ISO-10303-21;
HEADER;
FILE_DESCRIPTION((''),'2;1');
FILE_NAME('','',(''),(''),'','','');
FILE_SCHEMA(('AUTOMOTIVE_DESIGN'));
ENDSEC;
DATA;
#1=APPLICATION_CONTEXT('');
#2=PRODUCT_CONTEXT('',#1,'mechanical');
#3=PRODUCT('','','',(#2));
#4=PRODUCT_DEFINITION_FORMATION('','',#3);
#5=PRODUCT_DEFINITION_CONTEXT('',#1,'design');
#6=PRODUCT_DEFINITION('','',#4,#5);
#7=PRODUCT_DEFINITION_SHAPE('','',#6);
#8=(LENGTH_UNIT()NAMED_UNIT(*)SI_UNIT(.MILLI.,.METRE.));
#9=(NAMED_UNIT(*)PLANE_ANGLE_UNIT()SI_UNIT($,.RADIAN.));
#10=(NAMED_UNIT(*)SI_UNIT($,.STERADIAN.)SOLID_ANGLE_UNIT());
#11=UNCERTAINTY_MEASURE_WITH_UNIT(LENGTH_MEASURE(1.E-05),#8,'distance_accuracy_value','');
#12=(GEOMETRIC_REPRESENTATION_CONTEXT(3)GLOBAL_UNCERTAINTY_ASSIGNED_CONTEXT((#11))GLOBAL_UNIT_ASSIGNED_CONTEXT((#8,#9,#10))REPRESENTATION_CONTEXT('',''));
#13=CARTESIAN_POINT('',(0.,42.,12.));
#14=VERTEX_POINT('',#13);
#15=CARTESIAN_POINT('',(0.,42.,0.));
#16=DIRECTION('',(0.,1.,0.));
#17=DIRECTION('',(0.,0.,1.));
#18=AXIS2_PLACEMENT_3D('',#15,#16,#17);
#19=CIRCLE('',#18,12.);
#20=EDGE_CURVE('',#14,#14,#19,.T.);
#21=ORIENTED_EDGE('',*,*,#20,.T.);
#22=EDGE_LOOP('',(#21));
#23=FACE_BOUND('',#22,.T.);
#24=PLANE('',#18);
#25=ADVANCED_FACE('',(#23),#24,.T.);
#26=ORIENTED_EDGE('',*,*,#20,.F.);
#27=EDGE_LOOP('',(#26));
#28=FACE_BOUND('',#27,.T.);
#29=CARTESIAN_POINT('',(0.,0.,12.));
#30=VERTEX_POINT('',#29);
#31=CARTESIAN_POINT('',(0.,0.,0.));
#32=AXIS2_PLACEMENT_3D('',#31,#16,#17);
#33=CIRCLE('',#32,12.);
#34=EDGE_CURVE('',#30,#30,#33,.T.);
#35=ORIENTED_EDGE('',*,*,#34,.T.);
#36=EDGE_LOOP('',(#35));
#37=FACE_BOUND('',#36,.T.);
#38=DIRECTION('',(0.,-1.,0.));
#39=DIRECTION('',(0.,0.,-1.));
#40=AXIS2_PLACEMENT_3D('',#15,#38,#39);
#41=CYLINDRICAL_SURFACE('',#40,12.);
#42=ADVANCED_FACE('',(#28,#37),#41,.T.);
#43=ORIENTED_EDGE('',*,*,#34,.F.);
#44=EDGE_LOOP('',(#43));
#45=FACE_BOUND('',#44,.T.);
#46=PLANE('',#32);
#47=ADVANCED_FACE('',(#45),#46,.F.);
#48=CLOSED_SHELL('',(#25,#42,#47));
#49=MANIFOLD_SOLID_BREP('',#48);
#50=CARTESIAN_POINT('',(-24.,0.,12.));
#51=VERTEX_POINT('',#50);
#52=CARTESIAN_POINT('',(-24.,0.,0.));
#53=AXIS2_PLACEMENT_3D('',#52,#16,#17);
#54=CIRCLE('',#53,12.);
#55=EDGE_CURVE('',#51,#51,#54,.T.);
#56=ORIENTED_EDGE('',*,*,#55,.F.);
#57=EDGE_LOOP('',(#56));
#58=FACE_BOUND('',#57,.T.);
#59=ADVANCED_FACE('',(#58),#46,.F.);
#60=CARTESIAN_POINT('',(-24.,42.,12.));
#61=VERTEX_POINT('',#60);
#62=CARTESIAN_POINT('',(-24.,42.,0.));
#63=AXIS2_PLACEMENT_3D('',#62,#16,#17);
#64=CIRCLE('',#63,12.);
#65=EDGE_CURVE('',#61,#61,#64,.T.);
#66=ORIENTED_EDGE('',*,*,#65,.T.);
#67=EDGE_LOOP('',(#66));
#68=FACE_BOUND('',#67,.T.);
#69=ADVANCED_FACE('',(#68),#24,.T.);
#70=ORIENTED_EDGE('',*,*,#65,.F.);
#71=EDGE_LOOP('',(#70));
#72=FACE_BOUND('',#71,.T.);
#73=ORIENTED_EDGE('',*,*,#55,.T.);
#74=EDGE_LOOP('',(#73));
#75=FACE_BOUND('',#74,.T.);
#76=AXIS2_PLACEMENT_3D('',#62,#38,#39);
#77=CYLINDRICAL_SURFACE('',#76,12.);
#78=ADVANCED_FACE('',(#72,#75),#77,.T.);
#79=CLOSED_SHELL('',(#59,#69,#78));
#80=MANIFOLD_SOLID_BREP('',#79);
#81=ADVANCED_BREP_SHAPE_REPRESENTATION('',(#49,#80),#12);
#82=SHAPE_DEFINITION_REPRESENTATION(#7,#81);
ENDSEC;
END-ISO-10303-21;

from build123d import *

# Parameters (mm, degrees)
SKETCH1_R             = 12
BOSS_EXTRUDE1_DEPTH   = 42
BOSS_EXTRUDE1_2_DEPTH = 42


with BuildPart() as part:
    # Sketch1 → Boss-Extrude1 (new body)
    with BuildSketch(Plane(origin=(0, 0, 0), x_dir=(1, 0, 0), z_dir=(0, 1, 0))):
        Circle(SKETCH1_R)
    extrude(amount=BOSS_EXTRUDE1_DEPTH)


with BuildPart() as body_2:
    # Sketch1 → Boss-Extrude1 2 (new body)
    with BuildSketch(Plane(origin=(0, 0, 0), x_dir=(1, 0, 0), z_dir=(0, 1, 0))):
        with Locations((-24, 0)):
            Circle(SKETCH1_R)
    extrude(amount=BOSS_EXTRUDE1_2_DEPTH)


solid = Compound([part.part, body_2.part])
